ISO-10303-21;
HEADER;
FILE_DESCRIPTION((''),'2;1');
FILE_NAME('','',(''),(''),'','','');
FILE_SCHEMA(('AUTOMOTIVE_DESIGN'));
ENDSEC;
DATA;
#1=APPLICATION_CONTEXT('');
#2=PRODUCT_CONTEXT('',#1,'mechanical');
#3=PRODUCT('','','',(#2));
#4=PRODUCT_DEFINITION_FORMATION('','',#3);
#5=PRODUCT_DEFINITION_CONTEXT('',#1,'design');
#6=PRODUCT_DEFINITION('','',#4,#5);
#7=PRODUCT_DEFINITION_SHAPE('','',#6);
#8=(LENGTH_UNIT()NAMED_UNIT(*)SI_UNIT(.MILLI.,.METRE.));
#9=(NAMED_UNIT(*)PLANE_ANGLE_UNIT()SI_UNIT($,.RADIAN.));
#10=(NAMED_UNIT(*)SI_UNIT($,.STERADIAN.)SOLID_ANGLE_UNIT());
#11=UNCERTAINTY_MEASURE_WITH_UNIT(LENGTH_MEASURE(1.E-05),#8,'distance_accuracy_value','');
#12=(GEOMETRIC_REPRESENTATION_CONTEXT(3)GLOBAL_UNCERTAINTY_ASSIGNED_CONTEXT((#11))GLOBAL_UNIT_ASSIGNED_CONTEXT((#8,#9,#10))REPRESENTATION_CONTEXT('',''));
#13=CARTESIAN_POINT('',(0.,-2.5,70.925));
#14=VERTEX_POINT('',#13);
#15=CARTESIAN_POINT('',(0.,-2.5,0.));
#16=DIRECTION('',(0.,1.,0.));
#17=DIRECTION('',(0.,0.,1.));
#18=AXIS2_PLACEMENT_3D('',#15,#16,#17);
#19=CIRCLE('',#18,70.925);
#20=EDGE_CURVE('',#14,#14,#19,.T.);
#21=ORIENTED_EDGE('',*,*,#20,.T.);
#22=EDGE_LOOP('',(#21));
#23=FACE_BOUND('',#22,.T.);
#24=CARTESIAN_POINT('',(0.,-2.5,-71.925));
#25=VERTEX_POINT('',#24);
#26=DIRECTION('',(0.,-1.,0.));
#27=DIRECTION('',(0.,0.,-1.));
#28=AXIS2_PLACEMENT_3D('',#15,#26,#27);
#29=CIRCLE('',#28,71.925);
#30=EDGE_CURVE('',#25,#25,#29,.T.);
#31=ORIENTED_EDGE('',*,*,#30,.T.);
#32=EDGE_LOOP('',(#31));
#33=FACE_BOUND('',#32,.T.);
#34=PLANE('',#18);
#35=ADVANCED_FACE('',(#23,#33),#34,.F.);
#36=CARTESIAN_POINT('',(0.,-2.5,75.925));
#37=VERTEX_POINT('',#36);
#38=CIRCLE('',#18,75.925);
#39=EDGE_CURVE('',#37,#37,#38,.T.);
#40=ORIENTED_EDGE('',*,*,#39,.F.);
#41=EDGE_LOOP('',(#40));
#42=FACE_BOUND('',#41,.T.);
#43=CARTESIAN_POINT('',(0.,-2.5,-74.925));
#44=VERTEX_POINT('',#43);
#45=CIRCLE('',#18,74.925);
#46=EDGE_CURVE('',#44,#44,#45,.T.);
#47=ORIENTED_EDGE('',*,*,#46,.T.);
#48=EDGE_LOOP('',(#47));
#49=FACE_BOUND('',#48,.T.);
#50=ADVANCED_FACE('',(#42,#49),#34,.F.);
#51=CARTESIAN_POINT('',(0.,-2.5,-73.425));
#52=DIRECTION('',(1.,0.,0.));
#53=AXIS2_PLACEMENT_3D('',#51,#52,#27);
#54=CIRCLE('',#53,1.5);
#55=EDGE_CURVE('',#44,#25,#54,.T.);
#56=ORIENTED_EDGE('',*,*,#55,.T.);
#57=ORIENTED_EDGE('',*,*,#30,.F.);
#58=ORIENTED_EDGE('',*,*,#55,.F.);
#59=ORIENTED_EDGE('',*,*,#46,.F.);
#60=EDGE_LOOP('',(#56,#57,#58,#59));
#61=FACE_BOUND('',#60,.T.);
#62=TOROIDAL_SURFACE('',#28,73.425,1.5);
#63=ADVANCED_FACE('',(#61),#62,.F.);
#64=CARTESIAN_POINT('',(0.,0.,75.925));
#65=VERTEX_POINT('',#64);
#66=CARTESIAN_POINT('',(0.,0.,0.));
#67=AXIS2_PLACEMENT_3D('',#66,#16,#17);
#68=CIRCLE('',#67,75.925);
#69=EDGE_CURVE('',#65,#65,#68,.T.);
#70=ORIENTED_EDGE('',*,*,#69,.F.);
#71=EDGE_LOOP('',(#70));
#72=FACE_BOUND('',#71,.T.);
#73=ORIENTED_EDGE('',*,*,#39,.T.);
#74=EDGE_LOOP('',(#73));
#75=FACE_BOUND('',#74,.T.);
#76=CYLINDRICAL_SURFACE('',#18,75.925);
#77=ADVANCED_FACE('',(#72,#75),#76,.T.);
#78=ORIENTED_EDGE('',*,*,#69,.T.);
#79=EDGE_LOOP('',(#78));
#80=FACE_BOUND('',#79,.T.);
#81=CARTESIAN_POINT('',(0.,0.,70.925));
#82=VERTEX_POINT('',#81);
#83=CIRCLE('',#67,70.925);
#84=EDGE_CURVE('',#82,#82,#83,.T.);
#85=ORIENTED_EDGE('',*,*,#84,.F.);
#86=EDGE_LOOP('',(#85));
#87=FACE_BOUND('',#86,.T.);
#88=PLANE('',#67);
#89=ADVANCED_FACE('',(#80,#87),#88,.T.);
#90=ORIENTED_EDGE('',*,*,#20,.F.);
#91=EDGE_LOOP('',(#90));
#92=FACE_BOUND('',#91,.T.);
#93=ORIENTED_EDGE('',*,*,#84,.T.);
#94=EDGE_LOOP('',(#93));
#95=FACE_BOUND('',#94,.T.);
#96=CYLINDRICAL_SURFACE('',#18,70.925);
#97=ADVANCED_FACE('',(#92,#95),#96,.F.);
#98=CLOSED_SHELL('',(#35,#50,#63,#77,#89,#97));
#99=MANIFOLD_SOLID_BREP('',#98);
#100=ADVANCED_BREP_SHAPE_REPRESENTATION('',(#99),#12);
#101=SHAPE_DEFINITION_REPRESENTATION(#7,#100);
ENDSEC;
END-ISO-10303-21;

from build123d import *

# Parameters (mm, degrees)
SKETCH1_R            = 75.925
SKETCH1_R_2          = 70.925
BOSS_EXTRUDE1_DEPTH  = 2.5
CUT_SWEEP1_PROFILE_R = 1.5


with BuildPart() as part:
    # Sketch1 → Boss-Extrude1 (new body)
    with BuildSketch(Plane(origin=(0, 0, 0), x_dir=(1, 0, 0), z_dir=(0, 1, 0))):
        Circle(SKETCH1_R)
        Circle(SKETCH1_R_2, mode=Mode.SUBTRACT)
    extrude(amount=-BOSS_EXTRUDE1_DEPTH)

    # Cut-Sweep1: sweep along a path in Sketch2
    with BuildLine(Plane.XZ.offset(2.5)) as cut_sweep1_path:
        CenterArc((0, 0), 73.425, 0, 360)
    # Cut-Sweep1 profile (on start of the path) → Cut-Sweep1 (sweep, cut)
    with BuildSketch(Plane(origin=(73.425, -2.5, 0), x_dir=(1, 0, 0), z_dir=(0, 0, 1))):
        Circle(CUT_SWEEP1_PROFILE_R)
    sweep(path=cut_sweep1_path.line, mode=Mode.SUBTRACT)


solid = part.part
